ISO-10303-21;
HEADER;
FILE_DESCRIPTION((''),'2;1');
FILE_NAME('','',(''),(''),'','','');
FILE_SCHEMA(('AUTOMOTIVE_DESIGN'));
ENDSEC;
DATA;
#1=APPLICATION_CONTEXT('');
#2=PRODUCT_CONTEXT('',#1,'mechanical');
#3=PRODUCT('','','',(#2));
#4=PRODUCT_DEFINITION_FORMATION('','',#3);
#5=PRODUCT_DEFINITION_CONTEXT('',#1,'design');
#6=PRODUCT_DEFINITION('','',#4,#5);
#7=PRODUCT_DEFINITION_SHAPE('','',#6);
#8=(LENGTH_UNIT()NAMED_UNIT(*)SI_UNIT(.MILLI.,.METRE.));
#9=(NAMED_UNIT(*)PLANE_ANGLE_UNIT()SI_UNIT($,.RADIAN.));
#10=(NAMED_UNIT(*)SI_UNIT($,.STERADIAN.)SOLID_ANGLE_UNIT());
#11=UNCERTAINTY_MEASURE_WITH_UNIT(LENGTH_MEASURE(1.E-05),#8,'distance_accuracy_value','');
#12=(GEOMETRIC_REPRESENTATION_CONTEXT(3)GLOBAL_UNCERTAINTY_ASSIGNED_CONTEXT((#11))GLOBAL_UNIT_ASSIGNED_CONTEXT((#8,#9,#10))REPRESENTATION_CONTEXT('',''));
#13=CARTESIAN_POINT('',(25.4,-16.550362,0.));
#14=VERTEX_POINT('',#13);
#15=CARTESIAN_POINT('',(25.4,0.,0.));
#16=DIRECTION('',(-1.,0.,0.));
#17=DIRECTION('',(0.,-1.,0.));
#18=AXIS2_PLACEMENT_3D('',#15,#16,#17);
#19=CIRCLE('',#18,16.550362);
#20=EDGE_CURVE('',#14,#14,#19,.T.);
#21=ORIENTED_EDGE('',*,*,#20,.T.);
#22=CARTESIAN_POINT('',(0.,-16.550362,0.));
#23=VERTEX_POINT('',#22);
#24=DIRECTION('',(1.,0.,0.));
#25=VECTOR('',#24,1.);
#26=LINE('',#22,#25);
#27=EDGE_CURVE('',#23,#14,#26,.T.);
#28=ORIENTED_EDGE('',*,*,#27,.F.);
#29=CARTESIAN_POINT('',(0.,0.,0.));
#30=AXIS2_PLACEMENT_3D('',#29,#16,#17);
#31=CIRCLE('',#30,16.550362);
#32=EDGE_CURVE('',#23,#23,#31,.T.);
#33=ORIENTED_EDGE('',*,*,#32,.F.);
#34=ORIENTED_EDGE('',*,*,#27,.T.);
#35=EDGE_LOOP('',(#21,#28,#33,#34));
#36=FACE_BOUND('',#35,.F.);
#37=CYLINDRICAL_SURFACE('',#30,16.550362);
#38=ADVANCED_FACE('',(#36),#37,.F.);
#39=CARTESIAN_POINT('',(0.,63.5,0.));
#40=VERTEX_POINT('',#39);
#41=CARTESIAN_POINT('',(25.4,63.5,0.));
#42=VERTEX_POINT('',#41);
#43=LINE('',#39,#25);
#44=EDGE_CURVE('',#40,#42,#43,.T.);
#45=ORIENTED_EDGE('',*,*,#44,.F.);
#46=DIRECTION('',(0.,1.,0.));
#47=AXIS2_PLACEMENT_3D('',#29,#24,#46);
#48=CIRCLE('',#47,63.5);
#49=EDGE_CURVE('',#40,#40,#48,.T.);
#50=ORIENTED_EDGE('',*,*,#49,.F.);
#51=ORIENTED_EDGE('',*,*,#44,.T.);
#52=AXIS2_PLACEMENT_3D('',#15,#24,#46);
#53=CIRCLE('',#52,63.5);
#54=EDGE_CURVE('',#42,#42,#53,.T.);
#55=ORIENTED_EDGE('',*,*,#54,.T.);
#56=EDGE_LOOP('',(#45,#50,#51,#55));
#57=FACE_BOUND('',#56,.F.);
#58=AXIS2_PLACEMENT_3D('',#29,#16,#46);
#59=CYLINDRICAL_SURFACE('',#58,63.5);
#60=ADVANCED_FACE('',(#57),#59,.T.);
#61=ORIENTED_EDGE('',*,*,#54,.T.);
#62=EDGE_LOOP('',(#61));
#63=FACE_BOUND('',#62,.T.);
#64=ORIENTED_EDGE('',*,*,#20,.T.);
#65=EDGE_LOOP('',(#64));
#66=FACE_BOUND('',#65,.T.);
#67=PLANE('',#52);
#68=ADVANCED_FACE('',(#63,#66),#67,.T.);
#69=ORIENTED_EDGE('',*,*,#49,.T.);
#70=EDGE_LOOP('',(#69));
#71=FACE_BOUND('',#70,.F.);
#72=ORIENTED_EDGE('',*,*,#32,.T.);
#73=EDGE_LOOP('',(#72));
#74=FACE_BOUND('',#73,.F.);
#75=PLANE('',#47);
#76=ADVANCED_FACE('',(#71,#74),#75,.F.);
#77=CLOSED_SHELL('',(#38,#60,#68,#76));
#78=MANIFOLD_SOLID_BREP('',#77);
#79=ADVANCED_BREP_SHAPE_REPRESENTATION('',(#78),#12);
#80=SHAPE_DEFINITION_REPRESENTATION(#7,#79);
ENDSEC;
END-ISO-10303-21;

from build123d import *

# Parameters (mm, degrees)
F0_R     = 63.5
F1_DEPTH = 25.4
F2_R     = 16.550362
F3_DEPTH = 25.4


with BuildPart() as f1:
    # F0 (on Right) → F1 (new body)
    with BuildSketch(Plane.YZ):
        Circle(F0_R)
    extrude(amount=F1_DEPTH)

    # F2 (on face) → F3 (cut)
    with BuildSketch(Plane(origin=(0, 0, 0), x_dir=(0, -1, 0), z_dir=(-1, 0, 0))):
        Circle(F2_R)
    extrude(amount=-F3_DEPTH, mode=Mode.SUBTRACT)


solid = f1.part
